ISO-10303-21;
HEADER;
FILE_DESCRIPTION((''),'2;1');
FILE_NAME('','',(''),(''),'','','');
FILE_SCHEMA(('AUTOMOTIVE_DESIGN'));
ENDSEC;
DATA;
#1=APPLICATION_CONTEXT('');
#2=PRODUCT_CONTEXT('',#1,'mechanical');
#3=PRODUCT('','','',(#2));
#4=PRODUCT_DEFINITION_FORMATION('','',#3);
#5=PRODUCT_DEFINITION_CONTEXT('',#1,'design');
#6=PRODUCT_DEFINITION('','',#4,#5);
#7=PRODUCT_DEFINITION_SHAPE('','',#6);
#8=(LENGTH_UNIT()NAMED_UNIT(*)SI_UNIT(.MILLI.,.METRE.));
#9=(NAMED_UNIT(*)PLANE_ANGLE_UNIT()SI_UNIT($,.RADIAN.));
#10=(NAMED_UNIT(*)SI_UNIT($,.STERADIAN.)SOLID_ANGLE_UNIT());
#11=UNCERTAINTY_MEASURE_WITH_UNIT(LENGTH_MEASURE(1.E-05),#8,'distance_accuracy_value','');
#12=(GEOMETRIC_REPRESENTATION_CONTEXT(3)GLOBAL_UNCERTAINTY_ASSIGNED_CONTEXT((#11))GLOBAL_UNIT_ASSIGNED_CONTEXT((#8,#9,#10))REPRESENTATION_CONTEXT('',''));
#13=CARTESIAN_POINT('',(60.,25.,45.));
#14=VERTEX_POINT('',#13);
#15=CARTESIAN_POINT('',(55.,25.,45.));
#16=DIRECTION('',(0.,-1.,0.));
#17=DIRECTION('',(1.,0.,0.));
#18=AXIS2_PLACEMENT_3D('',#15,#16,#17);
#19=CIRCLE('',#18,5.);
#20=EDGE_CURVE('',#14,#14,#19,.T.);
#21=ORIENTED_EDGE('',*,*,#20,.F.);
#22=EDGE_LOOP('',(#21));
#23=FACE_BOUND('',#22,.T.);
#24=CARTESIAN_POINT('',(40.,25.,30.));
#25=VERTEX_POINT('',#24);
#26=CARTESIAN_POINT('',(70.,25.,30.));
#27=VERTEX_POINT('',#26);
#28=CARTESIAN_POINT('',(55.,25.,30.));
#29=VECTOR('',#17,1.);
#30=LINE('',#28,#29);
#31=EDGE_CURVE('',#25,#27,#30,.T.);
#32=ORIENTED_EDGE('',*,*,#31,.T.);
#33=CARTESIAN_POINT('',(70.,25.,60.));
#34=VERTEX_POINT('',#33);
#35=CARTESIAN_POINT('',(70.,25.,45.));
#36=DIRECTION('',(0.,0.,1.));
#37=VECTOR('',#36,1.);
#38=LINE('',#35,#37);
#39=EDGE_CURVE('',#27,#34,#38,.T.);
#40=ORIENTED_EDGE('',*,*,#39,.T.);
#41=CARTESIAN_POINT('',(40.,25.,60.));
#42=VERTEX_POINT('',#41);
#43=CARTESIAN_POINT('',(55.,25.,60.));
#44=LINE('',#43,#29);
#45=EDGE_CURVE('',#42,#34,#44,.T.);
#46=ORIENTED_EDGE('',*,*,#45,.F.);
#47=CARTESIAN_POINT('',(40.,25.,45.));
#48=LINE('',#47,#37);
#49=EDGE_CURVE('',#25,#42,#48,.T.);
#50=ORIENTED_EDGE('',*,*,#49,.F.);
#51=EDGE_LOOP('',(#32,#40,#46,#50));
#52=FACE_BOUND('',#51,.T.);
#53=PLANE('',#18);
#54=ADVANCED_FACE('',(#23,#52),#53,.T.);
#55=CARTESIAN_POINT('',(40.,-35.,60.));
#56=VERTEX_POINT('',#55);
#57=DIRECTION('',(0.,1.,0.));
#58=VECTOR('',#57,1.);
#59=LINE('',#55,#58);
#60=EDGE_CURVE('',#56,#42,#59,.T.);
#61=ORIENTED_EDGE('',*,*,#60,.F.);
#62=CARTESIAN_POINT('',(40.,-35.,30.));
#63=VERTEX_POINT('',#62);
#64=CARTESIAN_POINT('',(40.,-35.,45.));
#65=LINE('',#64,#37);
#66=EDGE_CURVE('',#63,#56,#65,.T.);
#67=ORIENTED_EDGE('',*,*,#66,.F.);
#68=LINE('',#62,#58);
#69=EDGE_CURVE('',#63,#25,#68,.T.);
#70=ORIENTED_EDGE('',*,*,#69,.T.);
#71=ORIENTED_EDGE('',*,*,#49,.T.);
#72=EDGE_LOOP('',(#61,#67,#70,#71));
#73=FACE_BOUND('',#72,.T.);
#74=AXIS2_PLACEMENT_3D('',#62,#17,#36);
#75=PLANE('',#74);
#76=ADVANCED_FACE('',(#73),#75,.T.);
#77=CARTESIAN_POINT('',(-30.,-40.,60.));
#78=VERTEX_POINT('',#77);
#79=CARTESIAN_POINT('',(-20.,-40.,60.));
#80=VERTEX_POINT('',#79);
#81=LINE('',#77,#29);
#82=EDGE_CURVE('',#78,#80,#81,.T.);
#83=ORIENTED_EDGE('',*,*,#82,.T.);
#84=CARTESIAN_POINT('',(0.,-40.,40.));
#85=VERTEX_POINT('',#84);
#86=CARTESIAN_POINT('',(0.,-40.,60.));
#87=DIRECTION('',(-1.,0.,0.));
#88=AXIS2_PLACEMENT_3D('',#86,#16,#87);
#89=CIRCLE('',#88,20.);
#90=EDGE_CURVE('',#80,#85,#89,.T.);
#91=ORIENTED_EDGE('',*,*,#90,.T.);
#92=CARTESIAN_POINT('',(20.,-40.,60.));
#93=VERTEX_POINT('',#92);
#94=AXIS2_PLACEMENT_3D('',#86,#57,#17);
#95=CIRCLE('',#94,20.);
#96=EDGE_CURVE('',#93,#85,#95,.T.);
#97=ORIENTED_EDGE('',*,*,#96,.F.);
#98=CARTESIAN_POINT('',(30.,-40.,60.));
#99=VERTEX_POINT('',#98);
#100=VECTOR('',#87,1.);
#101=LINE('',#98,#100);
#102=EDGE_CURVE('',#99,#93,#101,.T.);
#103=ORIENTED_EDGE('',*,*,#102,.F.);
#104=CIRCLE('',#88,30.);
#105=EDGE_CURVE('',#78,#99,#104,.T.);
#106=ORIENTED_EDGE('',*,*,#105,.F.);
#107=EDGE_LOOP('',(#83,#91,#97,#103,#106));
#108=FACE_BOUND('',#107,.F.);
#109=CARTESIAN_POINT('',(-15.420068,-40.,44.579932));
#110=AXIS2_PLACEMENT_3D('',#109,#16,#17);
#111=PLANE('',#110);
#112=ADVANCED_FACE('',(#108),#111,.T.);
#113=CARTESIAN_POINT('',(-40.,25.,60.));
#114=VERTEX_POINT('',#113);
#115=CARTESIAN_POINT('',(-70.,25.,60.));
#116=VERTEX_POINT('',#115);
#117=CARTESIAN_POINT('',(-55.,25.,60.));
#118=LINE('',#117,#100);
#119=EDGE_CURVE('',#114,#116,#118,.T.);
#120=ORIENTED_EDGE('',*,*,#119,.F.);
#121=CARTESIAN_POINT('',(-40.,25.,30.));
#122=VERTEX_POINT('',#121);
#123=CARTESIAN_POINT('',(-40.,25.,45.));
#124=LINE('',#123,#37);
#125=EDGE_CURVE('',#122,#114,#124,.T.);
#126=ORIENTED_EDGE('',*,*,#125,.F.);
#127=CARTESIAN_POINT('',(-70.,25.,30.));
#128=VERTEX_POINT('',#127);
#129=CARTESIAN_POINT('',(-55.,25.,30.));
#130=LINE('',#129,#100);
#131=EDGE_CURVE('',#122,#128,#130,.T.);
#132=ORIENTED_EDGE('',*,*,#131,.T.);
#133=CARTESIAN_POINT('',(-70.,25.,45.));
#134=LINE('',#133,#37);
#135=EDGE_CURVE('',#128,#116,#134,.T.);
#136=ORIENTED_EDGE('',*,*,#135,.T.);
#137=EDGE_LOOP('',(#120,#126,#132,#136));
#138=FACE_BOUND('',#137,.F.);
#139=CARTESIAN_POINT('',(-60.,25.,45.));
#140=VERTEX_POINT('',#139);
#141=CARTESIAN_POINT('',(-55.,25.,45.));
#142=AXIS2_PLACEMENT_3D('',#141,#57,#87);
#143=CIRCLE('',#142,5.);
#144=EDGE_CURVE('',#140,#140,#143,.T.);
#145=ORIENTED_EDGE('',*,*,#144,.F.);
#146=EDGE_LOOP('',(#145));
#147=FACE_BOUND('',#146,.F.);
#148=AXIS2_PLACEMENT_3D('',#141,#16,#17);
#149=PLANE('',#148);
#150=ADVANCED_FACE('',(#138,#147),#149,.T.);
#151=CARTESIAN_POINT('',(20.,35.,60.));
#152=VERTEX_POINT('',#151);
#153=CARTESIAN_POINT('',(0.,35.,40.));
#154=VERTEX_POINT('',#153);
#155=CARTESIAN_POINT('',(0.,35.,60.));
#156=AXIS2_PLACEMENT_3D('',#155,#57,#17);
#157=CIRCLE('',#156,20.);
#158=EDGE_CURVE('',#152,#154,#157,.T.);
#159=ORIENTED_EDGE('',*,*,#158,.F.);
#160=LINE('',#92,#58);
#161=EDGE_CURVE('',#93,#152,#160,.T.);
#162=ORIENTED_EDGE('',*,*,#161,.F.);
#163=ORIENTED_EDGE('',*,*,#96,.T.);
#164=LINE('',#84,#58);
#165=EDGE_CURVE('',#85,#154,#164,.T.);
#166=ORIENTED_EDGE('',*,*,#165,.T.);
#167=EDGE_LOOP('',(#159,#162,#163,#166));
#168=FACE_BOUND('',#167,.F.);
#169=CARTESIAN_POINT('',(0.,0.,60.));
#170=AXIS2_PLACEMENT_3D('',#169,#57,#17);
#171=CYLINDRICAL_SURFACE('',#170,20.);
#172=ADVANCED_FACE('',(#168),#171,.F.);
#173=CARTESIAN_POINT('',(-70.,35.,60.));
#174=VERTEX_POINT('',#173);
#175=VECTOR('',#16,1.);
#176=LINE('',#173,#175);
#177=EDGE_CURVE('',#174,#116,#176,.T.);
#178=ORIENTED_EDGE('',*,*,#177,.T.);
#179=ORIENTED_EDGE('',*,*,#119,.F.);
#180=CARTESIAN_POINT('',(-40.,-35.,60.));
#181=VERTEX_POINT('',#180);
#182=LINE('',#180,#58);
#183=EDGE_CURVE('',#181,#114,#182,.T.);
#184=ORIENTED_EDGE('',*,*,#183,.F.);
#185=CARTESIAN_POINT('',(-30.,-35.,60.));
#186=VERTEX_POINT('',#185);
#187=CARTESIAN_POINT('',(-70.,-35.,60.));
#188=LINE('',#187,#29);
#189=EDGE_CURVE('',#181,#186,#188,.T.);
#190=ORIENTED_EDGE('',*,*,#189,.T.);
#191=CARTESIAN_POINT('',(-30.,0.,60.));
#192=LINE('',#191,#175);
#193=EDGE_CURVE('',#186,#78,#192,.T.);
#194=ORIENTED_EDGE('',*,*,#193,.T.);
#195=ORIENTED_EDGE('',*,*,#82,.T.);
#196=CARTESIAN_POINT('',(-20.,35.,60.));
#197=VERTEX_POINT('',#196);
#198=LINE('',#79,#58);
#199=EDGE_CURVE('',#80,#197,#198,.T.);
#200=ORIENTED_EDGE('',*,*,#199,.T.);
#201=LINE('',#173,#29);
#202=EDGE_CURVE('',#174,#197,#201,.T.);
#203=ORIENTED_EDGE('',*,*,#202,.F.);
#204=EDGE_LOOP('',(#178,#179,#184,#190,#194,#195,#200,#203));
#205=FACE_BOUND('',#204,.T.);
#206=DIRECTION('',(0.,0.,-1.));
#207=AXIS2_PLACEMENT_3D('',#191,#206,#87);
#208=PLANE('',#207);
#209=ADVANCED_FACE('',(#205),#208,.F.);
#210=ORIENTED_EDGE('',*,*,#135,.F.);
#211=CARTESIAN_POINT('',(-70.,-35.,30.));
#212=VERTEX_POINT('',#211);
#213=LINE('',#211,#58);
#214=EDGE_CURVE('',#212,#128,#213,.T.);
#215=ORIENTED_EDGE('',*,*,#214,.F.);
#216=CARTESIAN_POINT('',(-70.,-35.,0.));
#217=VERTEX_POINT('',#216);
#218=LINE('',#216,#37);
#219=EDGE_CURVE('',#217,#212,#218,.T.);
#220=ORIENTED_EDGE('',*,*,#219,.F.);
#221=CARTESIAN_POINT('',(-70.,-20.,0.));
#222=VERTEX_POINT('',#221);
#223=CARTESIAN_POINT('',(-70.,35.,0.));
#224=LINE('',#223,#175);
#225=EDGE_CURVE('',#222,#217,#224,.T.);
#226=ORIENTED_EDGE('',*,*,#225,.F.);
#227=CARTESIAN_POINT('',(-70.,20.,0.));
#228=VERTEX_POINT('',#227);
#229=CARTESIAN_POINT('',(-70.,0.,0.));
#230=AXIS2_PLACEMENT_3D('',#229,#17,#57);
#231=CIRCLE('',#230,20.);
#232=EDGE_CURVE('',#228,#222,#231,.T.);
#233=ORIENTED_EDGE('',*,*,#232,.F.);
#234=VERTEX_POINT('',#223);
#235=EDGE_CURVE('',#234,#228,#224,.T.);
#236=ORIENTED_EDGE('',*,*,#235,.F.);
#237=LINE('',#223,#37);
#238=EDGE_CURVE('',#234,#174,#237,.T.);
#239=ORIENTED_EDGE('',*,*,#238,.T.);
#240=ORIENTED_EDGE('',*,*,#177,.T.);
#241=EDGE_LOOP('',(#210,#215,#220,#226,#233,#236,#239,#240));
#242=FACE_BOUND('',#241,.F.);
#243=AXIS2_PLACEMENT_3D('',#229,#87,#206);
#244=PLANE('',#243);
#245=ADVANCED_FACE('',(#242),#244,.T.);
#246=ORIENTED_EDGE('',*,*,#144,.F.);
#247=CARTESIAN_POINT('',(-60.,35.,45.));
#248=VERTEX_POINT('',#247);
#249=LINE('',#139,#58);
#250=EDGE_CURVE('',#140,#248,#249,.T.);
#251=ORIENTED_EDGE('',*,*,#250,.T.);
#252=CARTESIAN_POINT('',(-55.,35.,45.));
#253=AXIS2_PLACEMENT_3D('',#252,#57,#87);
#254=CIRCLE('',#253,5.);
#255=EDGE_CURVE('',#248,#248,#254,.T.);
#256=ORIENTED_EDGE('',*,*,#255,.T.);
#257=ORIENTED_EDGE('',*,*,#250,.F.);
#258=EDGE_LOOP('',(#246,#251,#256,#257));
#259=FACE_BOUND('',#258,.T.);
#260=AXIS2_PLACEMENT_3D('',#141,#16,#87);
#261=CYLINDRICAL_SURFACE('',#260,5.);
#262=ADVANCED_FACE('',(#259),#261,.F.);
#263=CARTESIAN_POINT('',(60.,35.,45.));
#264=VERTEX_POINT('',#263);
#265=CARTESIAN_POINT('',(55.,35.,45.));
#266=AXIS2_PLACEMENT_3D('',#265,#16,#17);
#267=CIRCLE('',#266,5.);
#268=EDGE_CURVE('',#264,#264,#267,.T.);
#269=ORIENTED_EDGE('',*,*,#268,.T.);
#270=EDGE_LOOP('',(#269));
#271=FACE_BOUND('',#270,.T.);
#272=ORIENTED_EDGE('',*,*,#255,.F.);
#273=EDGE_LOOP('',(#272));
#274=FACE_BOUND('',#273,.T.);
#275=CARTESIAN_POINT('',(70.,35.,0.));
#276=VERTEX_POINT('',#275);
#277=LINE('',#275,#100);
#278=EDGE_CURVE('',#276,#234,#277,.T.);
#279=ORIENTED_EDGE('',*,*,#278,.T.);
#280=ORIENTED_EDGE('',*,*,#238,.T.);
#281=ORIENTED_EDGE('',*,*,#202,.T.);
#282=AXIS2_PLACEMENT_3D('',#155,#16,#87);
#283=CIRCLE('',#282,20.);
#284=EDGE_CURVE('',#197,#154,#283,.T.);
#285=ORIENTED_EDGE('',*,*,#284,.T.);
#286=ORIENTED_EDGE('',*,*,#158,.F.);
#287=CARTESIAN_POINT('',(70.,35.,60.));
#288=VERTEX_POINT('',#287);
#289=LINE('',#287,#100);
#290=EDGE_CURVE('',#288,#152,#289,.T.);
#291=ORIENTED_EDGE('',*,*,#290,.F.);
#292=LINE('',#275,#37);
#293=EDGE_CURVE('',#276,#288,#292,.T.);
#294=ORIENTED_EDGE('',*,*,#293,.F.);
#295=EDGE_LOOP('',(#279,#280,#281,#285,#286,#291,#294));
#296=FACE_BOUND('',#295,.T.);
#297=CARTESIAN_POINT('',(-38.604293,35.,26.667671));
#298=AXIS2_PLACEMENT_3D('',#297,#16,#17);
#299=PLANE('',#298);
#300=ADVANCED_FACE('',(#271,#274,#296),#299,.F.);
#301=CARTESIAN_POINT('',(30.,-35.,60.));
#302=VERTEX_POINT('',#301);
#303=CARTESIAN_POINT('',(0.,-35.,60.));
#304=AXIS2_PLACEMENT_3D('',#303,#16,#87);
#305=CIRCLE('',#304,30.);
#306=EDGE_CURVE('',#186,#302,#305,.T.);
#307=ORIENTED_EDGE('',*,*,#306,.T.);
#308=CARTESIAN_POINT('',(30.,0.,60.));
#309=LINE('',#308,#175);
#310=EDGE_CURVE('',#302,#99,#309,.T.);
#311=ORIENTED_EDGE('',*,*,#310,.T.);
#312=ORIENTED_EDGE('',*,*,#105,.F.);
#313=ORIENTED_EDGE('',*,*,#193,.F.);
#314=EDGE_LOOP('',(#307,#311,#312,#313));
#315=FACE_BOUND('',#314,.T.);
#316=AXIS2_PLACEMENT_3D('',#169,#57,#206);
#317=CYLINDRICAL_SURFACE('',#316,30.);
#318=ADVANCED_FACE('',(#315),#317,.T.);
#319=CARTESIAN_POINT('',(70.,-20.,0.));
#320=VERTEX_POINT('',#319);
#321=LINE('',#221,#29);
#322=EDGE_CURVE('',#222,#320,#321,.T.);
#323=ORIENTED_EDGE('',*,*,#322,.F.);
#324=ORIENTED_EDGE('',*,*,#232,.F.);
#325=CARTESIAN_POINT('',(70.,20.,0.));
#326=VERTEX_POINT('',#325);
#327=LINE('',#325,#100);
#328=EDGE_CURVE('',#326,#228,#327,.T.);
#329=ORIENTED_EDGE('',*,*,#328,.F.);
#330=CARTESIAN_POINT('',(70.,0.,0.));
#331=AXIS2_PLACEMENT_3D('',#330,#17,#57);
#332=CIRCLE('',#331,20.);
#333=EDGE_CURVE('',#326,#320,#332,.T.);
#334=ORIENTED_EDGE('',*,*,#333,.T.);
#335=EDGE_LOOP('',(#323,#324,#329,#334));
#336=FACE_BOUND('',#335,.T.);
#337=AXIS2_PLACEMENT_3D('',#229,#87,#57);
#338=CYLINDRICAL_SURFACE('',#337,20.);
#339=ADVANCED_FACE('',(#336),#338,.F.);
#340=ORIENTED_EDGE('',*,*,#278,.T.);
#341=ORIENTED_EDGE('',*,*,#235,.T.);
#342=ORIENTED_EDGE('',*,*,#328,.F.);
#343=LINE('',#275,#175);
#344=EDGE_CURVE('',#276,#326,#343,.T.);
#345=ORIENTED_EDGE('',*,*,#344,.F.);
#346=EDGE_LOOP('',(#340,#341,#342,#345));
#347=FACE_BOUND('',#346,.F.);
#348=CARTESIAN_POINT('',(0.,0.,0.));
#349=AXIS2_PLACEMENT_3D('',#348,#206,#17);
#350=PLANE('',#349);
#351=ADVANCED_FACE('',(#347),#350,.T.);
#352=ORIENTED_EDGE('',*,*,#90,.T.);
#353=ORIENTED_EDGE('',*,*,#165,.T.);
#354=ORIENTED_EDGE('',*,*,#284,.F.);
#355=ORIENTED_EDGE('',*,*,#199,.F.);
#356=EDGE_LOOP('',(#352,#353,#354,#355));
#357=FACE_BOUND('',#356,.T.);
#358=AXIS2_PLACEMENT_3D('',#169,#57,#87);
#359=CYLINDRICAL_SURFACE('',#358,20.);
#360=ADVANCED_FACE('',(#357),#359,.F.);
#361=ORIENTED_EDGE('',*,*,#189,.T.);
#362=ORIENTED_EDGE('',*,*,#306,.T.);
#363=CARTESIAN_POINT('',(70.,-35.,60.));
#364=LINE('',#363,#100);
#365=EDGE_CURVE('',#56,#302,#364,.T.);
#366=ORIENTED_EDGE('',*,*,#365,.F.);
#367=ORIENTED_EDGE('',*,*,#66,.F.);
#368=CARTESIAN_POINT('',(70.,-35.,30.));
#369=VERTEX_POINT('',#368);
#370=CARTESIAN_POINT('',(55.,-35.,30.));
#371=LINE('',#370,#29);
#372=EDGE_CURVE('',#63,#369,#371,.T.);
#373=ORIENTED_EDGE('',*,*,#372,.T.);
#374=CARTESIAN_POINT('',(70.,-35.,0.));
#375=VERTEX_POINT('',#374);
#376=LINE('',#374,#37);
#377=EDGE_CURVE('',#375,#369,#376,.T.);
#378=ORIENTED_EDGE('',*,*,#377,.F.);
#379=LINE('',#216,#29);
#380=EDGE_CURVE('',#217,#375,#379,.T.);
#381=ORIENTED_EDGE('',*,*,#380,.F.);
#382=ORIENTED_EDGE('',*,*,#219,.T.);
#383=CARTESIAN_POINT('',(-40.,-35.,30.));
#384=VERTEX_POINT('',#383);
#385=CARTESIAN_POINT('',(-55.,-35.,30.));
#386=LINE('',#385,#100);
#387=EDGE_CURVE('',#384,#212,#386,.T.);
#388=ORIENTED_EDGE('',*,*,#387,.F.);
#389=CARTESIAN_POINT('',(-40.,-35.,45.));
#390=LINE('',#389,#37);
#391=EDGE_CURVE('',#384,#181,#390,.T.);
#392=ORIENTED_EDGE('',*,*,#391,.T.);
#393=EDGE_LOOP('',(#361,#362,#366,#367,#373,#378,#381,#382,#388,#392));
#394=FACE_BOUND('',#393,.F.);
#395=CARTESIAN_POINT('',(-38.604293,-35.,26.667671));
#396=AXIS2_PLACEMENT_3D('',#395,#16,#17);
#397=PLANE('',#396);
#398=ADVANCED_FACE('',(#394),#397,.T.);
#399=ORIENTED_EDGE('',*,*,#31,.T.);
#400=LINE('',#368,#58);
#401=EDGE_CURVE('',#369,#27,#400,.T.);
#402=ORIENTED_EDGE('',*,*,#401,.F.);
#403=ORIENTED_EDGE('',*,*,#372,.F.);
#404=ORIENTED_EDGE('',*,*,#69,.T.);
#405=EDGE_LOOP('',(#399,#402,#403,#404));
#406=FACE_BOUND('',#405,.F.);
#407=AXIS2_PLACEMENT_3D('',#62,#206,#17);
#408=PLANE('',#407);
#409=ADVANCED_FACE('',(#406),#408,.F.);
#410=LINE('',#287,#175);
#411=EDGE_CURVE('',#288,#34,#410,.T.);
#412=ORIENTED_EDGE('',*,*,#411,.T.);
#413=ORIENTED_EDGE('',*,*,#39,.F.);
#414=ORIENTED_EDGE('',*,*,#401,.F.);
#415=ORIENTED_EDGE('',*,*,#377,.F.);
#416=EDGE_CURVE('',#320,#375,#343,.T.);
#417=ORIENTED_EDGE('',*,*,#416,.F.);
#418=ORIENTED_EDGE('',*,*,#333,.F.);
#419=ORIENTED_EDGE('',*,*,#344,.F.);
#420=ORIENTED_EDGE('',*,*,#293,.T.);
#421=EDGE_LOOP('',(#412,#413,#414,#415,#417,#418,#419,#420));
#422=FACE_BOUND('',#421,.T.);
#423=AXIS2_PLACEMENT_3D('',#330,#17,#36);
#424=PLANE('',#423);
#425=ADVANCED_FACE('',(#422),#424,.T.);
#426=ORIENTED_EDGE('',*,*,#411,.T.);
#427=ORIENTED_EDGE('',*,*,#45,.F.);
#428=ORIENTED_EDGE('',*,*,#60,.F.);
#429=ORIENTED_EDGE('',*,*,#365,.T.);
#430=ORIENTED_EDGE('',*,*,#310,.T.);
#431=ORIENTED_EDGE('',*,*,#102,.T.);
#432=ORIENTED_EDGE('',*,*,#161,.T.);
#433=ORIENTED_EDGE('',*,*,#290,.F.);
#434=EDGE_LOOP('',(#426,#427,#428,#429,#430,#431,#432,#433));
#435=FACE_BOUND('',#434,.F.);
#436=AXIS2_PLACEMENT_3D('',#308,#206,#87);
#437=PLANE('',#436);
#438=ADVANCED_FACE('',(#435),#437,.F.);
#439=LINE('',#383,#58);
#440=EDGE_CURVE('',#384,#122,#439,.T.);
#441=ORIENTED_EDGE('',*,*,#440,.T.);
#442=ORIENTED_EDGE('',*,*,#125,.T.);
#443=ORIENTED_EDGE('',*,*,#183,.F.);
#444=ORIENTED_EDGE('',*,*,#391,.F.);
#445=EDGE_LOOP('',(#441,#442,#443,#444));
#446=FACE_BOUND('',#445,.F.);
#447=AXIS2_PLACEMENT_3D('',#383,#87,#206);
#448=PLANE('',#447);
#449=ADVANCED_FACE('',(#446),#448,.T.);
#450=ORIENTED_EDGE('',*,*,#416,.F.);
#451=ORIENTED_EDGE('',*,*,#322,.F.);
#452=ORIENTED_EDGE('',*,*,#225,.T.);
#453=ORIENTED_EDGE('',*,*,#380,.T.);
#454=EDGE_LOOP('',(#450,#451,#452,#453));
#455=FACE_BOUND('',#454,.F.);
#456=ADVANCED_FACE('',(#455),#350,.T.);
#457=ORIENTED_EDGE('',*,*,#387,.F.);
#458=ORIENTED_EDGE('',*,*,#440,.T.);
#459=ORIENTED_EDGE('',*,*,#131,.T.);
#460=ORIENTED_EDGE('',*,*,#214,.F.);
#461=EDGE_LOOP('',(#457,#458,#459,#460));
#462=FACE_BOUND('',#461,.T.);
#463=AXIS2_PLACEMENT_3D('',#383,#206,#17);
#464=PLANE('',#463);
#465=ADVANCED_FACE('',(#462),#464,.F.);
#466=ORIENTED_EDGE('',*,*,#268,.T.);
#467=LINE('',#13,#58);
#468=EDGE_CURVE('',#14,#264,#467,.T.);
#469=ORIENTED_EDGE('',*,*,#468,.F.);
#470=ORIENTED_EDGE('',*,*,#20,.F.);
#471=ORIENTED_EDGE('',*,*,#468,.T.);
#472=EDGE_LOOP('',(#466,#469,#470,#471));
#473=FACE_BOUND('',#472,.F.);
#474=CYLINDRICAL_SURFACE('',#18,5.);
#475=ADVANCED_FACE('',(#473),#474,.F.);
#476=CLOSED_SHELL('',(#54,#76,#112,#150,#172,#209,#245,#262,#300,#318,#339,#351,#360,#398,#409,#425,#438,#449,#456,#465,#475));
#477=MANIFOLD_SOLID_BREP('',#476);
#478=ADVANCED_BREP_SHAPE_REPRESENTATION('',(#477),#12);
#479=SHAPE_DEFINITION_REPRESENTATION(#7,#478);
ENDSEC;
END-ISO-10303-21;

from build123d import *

# Parameters (mm, degrees)
F1_DEPTH = 35
F2_W     = 30
F2_H     = 30
F3_DEPTH = 60
F4_R     = 5
F5_DEPTH = 10.001
F7_DEPTH = 70.001
F8_DEPTH = 40


with BuildPart() as f1:
    # F0 (on Front) → F1 (new body, symmetric)
    with BuildSketch(Plane.XZ):
        with BuildLine():
            Line((0, 30), (0, 0))
            Line((0, 0), (70, 0))
            Line((70, 0), (70, 60))
            Line((70, 60), (30, 60))
            ThreePointArc((30, 60), (21.2132034356, 38.7867965644), (0, 30))
        make_face()
        with BuildLine():
            Line((0, 40), (0, 30))
            ThreePointArc((0, 30), (21.2132034356, 38.7867965644), (30, 60))
            Line((30, 60), (20, 60))
            ThreePointArc((20, 60), (14.1421356237, 45.8578643763), (0, 40))
        make_face()
    extrude(amount=F1_DEPTH, both=True)

    # F2 (on face) → F3 (cut)
    with BuildSketch(Plane.XZ.offset(35)):
        with Locations((55, 45)):
            Rectangle(F2_W, F2_H)
    extrude(amount=-F3_DEPTH, mode=Mode.SUBTRACT)

    # F4 (on face) → F5 (cut, through all)
    with BuildSketch(Plane.XZ.offset(-25)):
        with Locations((55, 45)):
            Circle(F4_R)
    extrude(amount=-F5_DEPTH, mode=Mode.SUBTRACT)

    # F6 (on face) → F7 (cut, through all)
    with BuildSketch(Plane.YZ.offset(70)):
        with BuildLine():
            Line((-20, 0), (20, 0))
            ThreePointArc((20, 0), (0, 20), (-20, 0))
        make_face()
    extrude(amount=-F7_DEPTH, mode=Mode.SUBTRACT)

    # F0 (on Front) → F8 (join)
    with BuildSketch(Plane.XZ):
        with BuildLine():
            Line((0, 40), (0, 30))
            ThreePointArc((0, 30), (21.2132034356, 38.7867965644), (30, 60))
            Line((30, 60), (20, 60))
            ThreePointArc((20, 60), (14.1421356237, 45.8578643763), (0, 40))
        make_face()
    extrude(amount=F8_DEPTH)

    # F9: F1 across plane


with BuildPart() as f1_1:
    add(f1.part)
    add(f1.part.mirror(Plane.YZ))


solid = f1_1.part
